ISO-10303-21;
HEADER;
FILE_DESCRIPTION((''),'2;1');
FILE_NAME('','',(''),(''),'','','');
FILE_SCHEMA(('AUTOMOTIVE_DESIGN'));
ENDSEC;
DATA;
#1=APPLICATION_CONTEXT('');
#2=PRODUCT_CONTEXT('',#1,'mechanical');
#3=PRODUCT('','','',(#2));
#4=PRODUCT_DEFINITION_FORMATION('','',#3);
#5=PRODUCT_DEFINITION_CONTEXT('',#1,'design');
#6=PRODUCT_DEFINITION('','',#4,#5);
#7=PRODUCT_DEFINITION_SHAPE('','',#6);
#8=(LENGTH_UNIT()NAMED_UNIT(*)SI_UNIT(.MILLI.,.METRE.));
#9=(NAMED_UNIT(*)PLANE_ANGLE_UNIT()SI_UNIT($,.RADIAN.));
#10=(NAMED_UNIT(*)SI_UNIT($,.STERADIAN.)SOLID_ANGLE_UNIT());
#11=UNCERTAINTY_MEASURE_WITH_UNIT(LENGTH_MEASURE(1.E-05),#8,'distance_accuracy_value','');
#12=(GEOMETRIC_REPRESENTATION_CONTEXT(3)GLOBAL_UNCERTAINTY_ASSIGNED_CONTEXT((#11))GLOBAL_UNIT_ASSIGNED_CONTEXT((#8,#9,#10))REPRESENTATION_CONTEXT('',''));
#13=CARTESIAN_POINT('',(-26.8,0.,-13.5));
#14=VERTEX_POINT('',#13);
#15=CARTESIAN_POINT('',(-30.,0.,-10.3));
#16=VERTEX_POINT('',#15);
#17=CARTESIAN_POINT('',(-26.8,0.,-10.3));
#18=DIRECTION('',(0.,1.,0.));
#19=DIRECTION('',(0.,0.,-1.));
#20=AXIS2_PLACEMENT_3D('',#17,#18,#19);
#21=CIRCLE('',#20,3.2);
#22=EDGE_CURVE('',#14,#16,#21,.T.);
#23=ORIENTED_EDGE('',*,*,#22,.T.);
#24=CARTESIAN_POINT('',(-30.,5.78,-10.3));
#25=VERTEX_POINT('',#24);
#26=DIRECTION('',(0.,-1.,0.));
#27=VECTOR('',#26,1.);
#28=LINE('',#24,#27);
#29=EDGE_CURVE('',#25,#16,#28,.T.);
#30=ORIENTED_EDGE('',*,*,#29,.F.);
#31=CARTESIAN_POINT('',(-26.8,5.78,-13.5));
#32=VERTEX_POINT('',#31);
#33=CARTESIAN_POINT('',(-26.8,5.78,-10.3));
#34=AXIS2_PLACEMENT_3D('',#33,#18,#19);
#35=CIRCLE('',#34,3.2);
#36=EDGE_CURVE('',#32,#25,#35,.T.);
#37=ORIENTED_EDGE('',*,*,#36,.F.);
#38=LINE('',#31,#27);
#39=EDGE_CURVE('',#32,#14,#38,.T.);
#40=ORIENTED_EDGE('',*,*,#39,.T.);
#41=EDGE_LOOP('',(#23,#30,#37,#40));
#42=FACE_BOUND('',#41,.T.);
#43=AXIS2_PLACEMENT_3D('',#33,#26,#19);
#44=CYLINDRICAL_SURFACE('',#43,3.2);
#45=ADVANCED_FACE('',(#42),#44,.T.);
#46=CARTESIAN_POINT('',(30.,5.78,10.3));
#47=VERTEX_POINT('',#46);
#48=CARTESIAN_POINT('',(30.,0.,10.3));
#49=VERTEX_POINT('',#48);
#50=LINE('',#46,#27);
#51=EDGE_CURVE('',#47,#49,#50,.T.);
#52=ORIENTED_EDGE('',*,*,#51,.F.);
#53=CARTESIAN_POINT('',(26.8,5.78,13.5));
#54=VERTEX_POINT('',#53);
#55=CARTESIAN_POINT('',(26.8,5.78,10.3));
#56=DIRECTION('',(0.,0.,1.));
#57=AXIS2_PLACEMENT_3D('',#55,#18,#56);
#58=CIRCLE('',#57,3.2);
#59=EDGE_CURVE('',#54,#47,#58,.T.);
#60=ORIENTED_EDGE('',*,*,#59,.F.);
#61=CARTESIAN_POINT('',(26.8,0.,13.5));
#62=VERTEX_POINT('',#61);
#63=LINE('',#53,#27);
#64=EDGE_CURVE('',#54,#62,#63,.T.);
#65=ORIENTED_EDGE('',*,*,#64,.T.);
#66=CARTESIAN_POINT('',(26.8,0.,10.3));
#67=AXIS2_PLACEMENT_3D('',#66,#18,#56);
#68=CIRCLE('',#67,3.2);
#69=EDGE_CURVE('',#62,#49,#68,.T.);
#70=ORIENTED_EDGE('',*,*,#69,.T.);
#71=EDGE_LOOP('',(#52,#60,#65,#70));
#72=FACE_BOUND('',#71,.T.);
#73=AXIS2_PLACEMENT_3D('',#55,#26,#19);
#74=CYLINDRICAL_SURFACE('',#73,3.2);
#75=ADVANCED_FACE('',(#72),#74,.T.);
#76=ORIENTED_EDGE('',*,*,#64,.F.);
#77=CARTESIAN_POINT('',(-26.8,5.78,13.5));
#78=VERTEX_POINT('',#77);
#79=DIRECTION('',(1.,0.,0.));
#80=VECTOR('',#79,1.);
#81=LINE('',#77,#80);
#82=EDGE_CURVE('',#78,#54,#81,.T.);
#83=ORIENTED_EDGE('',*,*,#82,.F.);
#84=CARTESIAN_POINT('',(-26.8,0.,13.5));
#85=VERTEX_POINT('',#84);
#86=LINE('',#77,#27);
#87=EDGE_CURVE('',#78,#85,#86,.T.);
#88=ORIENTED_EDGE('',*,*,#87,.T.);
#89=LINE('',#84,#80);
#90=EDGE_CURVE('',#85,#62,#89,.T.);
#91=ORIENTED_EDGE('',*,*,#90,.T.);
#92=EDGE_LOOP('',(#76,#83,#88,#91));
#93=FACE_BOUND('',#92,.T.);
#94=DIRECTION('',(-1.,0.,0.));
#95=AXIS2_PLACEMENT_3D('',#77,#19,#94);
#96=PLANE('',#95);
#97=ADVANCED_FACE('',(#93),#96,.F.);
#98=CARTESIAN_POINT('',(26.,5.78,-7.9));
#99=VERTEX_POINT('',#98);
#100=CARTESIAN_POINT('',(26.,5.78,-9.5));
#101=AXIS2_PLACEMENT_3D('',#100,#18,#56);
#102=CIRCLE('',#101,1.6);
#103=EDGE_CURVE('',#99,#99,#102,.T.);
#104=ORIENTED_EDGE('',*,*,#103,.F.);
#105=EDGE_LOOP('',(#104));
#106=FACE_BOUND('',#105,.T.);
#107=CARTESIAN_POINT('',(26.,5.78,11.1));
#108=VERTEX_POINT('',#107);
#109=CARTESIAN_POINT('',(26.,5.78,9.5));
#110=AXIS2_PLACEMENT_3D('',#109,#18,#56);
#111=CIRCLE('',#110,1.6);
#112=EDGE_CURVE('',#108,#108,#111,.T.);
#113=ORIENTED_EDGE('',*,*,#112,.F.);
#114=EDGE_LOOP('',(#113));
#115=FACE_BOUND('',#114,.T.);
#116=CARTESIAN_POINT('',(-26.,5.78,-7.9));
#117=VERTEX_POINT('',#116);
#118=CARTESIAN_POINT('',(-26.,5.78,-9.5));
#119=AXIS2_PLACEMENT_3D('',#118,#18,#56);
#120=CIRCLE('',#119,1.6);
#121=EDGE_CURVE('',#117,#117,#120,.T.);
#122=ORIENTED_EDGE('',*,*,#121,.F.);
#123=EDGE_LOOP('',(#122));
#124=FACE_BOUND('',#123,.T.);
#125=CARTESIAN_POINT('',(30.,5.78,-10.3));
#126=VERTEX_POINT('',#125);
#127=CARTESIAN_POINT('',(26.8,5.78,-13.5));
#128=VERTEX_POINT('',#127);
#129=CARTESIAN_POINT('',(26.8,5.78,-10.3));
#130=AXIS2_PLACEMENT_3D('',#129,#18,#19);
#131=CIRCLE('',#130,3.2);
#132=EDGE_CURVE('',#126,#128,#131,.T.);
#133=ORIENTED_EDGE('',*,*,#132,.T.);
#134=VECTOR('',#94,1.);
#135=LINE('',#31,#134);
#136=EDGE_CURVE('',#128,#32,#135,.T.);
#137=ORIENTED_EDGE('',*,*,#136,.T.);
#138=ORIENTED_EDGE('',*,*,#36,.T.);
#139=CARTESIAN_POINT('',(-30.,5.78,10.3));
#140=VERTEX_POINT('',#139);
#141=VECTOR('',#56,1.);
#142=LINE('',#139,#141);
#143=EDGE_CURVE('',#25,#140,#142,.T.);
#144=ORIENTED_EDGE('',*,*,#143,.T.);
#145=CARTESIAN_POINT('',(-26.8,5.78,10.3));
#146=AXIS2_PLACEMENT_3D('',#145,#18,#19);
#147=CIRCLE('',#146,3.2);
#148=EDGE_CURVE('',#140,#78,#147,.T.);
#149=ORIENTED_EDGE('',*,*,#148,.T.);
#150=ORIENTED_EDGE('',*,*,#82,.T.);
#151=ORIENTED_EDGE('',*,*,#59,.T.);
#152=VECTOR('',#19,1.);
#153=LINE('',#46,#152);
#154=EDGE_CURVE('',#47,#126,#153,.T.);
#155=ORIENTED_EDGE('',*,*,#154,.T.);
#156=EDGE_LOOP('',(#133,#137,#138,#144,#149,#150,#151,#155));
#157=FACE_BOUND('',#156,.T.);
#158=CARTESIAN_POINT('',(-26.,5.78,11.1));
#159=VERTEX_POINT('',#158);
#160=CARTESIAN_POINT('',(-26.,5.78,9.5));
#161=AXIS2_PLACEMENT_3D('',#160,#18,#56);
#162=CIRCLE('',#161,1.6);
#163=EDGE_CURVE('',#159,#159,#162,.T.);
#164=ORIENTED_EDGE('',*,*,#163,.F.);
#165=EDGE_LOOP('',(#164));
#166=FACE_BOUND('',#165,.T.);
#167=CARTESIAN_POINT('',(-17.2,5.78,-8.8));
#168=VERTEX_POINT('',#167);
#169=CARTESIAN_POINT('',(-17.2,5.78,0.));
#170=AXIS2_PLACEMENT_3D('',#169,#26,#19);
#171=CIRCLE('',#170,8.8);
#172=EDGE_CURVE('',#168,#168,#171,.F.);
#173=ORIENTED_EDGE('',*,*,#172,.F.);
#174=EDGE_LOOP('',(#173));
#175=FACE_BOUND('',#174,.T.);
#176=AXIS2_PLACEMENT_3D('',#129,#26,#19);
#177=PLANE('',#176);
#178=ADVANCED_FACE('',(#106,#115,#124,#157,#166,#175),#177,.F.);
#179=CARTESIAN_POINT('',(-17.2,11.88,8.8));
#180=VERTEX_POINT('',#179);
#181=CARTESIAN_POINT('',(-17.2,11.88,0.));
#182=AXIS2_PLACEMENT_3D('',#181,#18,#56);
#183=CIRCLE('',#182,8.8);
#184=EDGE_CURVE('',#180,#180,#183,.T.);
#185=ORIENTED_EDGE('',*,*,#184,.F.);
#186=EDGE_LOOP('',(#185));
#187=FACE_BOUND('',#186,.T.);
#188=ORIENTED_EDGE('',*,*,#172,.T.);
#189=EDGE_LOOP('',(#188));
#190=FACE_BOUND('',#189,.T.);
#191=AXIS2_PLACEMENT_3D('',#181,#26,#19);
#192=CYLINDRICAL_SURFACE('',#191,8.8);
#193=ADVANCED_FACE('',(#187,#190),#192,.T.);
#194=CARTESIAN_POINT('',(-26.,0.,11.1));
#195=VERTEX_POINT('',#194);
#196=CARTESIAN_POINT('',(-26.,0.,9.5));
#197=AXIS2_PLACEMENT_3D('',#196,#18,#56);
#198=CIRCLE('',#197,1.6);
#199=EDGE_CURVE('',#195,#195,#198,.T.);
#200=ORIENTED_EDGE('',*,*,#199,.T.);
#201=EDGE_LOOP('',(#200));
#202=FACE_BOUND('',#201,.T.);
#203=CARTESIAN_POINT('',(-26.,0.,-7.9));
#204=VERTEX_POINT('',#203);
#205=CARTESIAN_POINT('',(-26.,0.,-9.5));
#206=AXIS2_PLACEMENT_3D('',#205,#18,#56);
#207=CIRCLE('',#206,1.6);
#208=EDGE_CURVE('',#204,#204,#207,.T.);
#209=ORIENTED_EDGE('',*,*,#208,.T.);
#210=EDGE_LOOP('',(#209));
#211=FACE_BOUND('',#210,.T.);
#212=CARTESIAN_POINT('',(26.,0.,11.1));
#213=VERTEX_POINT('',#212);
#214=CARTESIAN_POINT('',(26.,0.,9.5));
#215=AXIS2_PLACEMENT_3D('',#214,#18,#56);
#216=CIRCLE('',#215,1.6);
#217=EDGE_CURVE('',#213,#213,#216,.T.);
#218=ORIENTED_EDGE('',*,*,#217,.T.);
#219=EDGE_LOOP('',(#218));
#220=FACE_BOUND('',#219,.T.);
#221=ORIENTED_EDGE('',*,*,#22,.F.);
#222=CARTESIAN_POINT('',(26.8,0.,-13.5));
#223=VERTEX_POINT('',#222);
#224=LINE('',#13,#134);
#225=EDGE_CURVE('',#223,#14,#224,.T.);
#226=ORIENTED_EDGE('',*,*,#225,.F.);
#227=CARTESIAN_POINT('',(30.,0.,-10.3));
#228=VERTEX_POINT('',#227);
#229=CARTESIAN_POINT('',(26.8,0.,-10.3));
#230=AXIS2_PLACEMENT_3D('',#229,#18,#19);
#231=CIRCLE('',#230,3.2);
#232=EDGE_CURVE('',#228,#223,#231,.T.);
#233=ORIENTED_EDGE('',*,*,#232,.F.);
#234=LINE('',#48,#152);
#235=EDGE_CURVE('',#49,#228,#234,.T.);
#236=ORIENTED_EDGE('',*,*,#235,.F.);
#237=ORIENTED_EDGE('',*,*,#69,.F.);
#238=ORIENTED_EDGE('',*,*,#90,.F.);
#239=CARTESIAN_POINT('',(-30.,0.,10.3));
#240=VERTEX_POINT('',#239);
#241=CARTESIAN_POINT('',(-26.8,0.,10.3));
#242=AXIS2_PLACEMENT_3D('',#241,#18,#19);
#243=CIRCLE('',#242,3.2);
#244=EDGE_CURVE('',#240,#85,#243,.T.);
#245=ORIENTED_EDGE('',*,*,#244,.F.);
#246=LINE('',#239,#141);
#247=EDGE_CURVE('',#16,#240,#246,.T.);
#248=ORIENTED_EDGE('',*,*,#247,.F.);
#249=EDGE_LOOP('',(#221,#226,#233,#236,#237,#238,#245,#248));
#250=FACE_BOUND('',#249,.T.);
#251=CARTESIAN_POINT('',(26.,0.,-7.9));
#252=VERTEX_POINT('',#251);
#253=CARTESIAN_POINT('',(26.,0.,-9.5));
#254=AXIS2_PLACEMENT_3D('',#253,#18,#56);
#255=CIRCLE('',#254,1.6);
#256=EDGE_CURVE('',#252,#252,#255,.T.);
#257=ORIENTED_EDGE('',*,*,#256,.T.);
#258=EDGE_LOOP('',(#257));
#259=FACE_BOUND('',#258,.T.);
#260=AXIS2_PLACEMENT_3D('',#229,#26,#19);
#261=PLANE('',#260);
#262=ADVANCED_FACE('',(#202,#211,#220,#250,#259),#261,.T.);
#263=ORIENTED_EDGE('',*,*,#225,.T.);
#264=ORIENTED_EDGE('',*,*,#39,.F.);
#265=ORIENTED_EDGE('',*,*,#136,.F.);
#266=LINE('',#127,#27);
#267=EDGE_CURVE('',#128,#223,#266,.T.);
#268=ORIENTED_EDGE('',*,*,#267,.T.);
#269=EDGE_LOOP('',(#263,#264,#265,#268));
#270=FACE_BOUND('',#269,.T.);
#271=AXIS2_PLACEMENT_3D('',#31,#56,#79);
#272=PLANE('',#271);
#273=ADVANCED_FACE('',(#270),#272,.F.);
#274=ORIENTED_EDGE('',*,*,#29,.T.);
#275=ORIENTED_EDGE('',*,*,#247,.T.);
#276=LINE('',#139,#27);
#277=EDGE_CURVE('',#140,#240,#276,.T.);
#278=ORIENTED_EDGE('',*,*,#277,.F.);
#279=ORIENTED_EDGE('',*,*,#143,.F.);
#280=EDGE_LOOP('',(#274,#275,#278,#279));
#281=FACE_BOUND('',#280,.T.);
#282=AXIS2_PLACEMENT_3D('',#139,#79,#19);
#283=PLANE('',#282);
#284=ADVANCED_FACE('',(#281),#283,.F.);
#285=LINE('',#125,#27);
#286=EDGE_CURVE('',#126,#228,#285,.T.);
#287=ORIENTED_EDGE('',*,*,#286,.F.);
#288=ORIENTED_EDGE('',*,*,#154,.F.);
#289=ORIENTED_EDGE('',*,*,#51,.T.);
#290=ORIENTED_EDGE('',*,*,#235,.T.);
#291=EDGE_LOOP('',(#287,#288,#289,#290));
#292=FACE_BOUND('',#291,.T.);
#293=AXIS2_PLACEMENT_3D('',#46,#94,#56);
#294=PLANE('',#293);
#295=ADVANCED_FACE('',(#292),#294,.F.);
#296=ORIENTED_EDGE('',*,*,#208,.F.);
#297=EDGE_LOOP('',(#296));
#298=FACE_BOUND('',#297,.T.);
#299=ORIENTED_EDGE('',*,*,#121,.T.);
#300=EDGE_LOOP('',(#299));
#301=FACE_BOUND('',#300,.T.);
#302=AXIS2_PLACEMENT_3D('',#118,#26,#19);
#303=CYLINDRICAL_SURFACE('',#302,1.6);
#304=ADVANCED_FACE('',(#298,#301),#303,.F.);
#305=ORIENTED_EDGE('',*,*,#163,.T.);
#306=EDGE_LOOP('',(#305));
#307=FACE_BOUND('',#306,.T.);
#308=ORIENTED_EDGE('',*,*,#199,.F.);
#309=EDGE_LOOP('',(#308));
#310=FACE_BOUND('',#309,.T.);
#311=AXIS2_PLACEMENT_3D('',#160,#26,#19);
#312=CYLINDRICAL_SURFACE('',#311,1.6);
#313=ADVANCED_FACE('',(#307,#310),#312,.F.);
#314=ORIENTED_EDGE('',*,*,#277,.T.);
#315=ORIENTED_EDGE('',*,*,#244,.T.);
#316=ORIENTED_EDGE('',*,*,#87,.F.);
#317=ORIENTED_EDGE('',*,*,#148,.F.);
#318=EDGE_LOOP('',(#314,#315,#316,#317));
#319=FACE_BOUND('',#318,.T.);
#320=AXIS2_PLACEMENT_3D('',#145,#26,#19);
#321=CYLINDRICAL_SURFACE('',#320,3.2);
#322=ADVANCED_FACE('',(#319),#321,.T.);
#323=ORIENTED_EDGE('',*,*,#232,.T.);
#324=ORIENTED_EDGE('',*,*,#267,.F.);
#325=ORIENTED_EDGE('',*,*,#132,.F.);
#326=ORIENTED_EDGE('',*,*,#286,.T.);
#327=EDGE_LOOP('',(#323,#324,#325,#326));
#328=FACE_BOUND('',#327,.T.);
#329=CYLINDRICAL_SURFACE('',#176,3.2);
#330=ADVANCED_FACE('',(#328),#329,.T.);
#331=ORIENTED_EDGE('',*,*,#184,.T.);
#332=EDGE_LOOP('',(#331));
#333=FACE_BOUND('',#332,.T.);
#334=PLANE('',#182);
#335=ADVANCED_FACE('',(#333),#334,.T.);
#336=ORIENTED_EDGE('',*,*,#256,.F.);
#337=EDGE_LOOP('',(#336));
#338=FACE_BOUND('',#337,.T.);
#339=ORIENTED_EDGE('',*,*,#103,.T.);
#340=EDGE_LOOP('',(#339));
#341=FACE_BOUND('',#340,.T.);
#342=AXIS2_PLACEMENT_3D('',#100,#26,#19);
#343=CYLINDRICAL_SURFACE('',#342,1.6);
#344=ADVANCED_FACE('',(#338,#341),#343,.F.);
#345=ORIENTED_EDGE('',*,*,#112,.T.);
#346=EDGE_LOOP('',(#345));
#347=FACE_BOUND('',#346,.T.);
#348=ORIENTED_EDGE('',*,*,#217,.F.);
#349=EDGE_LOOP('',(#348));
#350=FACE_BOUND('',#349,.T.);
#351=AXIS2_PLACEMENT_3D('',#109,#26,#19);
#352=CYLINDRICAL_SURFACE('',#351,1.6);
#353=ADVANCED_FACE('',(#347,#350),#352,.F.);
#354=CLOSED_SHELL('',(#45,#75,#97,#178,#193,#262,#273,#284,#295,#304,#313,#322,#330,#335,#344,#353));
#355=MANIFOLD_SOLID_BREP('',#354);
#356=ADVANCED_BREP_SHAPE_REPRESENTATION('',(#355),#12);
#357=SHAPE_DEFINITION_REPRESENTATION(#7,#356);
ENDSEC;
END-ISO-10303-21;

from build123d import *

# Parameters (mm, degrees)
SKETCH2_R           = 1.6
BOSS_EXTRUDE1_DEPTH = 5.78
SKETCH3_R           = 8.8
BOSS_EXTRUDE2_DEPTH = 6.1


with BuildPart() as part:
    # Sketch2 → Boss-Extrude1 (new body)
    with BuildSketch(Plane(origin=(0, 0, 0), x_dir=(1, 0, 0), z_dir=(0, 1, 0))):
        with BuildLine():
            Line((-26.8, -13.5), (26.8, -13.5))
            ThreePointArc((26.8, -13.5), (29.0627417, -12.5627417), (30, -10.3))
            Line((30, -10.3), (30, 10.3))
            ThreePointArc((30, 10.3), (29.0627417, 12.5627417), (26.8, 13.5))
            Line((26.8, 13.5), (-26.8, 13.5))
            ThreePointArc((-26.8, 13.5), (-29.0627417, 12.5627417), (-30, 10.3))
            Line((-30, 10.3), (-30, -10.3))
            ThreePointArc((-30, -10.3), (-29.0627417, -12.5627417), (-26.8, -13.5))
        make_face()
        with Locations((26, 9.5)):
            Circle(SKETCH2_R, mode=Mode.SUBTRACT)
        with Locations((-26, 9.5)):
            Circle(SKETCH2_R, mode=Mode.SUBTRACT)
        with Locations((-26, -9.5)):
            Circle(SKETCH2_R, mode=Mode.SUBTRACT)
        with Locations((26, -9.5)):
            Circle(SKETCH2_R, mode=Mode.SUBTRACT)
    extrude(amount=BOSS_EXTRUDE1_DEPTH)

    # Sketch3 → Boss-Extrude2 (add)
    with BuildSketch(Plane(origin=(0, 5.78, 0), x_dir=(1, 0, 0), z_dir=(0, 1, 0))):
        with Locations((-17.2, 0)):
            Circle(SKETCH3_R)
    extrude(amount=BOSS_EXTRUDE2_DEPTH)


solid = part.part
